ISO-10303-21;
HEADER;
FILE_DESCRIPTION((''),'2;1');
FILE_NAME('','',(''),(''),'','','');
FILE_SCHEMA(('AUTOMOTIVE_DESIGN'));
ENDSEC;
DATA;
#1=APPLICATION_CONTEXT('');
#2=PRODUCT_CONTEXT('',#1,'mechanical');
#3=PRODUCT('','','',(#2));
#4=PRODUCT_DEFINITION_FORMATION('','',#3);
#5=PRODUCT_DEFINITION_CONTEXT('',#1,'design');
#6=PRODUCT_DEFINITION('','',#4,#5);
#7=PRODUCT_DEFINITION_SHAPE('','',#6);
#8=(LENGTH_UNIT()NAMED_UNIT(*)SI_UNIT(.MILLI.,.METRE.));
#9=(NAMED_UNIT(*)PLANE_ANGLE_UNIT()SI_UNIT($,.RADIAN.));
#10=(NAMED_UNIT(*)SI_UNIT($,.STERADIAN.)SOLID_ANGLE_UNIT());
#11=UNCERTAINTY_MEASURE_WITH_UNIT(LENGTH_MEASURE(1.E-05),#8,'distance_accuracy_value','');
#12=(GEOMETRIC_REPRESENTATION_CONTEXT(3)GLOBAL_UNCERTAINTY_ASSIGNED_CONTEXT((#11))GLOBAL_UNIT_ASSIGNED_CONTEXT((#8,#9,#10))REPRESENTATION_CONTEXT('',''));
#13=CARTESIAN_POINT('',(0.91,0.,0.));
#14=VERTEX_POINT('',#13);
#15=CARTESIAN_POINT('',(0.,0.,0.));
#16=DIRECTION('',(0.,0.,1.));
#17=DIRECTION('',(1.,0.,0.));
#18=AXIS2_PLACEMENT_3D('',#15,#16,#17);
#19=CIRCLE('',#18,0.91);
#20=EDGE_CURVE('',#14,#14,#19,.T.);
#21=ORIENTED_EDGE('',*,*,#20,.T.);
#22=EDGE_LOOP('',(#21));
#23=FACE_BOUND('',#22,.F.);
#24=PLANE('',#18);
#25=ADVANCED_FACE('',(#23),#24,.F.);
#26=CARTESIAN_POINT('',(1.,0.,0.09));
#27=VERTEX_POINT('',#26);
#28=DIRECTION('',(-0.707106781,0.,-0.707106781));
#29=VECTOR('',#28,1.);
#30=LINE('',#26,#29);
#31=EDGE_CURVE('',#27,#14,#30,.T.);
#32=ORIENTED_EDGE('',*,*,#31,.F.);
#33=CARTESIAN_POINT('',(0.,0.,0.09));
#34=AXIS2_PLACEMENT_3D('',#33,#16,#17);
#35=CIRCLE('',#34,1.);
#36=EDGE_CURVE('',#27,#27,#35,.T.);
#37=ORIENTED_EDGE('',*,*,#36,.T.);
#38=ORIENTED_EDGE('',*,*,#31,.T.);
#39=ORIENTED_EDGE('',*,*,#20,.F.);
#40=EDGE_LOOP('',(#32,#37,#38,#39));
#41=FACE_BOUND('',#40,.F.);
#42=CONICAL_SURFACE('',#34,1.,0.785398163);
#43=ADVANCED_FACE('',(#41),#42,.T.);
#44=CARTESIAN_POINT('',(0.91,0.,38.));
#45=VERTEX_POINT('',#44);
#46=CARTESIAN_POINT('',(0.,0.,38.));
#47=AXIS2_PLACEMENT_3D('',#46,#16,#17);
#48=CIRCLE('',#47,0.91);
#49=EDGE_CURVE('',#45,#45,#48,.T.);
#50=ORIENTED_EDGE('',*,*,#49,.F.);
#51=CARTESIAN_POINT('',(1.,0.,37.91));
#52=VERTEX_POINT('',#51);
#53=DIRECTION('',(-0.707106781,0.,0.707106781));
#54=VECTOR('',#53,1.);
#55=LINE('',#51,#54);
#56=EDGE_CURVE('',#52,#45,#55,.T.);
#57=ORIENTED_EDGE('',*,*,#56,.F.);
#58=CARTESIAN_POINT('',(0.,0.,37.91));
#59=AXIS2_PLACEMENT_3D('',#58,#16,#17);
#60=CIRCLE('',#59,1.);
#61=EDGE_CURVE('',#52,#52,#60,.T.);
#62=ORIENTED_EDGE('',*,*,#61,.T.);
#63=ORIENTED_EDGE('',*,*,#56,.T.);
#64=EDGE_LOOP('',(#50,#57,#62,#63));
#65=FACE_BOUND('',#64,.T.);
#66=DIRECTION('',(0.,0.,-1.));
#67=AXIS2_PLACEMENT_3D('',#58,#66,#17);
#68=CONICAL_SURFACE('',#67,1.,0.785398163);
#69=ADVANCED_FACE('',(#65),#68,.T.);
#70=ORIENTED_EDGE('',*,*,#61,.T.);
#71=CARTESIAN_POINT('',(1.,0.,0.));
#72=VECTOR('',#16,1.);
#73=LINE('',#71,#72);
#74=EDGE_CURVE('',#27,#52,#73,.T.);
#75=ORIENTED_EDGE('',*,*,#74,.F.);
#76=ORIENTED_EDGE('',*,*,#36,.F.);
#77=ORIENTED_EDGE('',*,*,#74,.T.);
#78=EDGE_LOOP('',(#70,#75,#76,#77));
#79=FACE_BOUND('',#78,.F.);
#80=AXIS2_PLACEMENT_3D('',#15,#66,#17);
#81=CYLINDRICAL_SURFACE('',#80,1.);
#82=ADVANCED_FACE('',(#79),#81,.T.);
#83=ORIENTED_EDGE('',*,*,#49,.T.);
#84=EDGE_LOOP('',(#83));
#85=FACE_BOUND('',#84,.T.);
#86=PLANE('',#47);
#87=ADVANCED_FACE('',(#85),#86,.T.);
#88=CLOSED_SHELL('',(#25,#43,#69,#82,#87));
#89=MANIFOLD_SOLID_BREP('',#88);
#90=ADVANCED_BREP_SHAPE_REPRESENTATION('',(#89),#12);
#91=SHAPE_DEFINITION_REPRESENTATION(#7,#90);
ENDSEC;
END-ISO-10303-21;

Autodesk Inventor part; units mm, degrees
ref_plane "YZ Plane" through (0, 0, 0) normal (1, 0, 0) x (0, 1, 0)
ref_plane "XZ Plane" through (0, 0, 0) normal (0, 1, 0) x (-1, 0, 0)
ref_plane "XY Plane" through (0, 0, 0) normal (0, 0, 1) x (1, 0, 0)
sketch "スケッチ1" plane through (0, 0, 0) normal (0, 0, 1) x (1, 0, 0)
  circle A0 centre (0, 0) radius 1
  dimension "d0" = 2
extrude "押し出し1" add sketch "スケッチ1" along normal blind 38
chamfer "面取り1" distance 0.09 angle 45 1 edges at (-1, 0, 0)
chamfer "面取り2" distance 0.09 angle 45 1 edges at (-1, 0, 38)
properties part number "motorshaft2x38" material "鋼、合金"
